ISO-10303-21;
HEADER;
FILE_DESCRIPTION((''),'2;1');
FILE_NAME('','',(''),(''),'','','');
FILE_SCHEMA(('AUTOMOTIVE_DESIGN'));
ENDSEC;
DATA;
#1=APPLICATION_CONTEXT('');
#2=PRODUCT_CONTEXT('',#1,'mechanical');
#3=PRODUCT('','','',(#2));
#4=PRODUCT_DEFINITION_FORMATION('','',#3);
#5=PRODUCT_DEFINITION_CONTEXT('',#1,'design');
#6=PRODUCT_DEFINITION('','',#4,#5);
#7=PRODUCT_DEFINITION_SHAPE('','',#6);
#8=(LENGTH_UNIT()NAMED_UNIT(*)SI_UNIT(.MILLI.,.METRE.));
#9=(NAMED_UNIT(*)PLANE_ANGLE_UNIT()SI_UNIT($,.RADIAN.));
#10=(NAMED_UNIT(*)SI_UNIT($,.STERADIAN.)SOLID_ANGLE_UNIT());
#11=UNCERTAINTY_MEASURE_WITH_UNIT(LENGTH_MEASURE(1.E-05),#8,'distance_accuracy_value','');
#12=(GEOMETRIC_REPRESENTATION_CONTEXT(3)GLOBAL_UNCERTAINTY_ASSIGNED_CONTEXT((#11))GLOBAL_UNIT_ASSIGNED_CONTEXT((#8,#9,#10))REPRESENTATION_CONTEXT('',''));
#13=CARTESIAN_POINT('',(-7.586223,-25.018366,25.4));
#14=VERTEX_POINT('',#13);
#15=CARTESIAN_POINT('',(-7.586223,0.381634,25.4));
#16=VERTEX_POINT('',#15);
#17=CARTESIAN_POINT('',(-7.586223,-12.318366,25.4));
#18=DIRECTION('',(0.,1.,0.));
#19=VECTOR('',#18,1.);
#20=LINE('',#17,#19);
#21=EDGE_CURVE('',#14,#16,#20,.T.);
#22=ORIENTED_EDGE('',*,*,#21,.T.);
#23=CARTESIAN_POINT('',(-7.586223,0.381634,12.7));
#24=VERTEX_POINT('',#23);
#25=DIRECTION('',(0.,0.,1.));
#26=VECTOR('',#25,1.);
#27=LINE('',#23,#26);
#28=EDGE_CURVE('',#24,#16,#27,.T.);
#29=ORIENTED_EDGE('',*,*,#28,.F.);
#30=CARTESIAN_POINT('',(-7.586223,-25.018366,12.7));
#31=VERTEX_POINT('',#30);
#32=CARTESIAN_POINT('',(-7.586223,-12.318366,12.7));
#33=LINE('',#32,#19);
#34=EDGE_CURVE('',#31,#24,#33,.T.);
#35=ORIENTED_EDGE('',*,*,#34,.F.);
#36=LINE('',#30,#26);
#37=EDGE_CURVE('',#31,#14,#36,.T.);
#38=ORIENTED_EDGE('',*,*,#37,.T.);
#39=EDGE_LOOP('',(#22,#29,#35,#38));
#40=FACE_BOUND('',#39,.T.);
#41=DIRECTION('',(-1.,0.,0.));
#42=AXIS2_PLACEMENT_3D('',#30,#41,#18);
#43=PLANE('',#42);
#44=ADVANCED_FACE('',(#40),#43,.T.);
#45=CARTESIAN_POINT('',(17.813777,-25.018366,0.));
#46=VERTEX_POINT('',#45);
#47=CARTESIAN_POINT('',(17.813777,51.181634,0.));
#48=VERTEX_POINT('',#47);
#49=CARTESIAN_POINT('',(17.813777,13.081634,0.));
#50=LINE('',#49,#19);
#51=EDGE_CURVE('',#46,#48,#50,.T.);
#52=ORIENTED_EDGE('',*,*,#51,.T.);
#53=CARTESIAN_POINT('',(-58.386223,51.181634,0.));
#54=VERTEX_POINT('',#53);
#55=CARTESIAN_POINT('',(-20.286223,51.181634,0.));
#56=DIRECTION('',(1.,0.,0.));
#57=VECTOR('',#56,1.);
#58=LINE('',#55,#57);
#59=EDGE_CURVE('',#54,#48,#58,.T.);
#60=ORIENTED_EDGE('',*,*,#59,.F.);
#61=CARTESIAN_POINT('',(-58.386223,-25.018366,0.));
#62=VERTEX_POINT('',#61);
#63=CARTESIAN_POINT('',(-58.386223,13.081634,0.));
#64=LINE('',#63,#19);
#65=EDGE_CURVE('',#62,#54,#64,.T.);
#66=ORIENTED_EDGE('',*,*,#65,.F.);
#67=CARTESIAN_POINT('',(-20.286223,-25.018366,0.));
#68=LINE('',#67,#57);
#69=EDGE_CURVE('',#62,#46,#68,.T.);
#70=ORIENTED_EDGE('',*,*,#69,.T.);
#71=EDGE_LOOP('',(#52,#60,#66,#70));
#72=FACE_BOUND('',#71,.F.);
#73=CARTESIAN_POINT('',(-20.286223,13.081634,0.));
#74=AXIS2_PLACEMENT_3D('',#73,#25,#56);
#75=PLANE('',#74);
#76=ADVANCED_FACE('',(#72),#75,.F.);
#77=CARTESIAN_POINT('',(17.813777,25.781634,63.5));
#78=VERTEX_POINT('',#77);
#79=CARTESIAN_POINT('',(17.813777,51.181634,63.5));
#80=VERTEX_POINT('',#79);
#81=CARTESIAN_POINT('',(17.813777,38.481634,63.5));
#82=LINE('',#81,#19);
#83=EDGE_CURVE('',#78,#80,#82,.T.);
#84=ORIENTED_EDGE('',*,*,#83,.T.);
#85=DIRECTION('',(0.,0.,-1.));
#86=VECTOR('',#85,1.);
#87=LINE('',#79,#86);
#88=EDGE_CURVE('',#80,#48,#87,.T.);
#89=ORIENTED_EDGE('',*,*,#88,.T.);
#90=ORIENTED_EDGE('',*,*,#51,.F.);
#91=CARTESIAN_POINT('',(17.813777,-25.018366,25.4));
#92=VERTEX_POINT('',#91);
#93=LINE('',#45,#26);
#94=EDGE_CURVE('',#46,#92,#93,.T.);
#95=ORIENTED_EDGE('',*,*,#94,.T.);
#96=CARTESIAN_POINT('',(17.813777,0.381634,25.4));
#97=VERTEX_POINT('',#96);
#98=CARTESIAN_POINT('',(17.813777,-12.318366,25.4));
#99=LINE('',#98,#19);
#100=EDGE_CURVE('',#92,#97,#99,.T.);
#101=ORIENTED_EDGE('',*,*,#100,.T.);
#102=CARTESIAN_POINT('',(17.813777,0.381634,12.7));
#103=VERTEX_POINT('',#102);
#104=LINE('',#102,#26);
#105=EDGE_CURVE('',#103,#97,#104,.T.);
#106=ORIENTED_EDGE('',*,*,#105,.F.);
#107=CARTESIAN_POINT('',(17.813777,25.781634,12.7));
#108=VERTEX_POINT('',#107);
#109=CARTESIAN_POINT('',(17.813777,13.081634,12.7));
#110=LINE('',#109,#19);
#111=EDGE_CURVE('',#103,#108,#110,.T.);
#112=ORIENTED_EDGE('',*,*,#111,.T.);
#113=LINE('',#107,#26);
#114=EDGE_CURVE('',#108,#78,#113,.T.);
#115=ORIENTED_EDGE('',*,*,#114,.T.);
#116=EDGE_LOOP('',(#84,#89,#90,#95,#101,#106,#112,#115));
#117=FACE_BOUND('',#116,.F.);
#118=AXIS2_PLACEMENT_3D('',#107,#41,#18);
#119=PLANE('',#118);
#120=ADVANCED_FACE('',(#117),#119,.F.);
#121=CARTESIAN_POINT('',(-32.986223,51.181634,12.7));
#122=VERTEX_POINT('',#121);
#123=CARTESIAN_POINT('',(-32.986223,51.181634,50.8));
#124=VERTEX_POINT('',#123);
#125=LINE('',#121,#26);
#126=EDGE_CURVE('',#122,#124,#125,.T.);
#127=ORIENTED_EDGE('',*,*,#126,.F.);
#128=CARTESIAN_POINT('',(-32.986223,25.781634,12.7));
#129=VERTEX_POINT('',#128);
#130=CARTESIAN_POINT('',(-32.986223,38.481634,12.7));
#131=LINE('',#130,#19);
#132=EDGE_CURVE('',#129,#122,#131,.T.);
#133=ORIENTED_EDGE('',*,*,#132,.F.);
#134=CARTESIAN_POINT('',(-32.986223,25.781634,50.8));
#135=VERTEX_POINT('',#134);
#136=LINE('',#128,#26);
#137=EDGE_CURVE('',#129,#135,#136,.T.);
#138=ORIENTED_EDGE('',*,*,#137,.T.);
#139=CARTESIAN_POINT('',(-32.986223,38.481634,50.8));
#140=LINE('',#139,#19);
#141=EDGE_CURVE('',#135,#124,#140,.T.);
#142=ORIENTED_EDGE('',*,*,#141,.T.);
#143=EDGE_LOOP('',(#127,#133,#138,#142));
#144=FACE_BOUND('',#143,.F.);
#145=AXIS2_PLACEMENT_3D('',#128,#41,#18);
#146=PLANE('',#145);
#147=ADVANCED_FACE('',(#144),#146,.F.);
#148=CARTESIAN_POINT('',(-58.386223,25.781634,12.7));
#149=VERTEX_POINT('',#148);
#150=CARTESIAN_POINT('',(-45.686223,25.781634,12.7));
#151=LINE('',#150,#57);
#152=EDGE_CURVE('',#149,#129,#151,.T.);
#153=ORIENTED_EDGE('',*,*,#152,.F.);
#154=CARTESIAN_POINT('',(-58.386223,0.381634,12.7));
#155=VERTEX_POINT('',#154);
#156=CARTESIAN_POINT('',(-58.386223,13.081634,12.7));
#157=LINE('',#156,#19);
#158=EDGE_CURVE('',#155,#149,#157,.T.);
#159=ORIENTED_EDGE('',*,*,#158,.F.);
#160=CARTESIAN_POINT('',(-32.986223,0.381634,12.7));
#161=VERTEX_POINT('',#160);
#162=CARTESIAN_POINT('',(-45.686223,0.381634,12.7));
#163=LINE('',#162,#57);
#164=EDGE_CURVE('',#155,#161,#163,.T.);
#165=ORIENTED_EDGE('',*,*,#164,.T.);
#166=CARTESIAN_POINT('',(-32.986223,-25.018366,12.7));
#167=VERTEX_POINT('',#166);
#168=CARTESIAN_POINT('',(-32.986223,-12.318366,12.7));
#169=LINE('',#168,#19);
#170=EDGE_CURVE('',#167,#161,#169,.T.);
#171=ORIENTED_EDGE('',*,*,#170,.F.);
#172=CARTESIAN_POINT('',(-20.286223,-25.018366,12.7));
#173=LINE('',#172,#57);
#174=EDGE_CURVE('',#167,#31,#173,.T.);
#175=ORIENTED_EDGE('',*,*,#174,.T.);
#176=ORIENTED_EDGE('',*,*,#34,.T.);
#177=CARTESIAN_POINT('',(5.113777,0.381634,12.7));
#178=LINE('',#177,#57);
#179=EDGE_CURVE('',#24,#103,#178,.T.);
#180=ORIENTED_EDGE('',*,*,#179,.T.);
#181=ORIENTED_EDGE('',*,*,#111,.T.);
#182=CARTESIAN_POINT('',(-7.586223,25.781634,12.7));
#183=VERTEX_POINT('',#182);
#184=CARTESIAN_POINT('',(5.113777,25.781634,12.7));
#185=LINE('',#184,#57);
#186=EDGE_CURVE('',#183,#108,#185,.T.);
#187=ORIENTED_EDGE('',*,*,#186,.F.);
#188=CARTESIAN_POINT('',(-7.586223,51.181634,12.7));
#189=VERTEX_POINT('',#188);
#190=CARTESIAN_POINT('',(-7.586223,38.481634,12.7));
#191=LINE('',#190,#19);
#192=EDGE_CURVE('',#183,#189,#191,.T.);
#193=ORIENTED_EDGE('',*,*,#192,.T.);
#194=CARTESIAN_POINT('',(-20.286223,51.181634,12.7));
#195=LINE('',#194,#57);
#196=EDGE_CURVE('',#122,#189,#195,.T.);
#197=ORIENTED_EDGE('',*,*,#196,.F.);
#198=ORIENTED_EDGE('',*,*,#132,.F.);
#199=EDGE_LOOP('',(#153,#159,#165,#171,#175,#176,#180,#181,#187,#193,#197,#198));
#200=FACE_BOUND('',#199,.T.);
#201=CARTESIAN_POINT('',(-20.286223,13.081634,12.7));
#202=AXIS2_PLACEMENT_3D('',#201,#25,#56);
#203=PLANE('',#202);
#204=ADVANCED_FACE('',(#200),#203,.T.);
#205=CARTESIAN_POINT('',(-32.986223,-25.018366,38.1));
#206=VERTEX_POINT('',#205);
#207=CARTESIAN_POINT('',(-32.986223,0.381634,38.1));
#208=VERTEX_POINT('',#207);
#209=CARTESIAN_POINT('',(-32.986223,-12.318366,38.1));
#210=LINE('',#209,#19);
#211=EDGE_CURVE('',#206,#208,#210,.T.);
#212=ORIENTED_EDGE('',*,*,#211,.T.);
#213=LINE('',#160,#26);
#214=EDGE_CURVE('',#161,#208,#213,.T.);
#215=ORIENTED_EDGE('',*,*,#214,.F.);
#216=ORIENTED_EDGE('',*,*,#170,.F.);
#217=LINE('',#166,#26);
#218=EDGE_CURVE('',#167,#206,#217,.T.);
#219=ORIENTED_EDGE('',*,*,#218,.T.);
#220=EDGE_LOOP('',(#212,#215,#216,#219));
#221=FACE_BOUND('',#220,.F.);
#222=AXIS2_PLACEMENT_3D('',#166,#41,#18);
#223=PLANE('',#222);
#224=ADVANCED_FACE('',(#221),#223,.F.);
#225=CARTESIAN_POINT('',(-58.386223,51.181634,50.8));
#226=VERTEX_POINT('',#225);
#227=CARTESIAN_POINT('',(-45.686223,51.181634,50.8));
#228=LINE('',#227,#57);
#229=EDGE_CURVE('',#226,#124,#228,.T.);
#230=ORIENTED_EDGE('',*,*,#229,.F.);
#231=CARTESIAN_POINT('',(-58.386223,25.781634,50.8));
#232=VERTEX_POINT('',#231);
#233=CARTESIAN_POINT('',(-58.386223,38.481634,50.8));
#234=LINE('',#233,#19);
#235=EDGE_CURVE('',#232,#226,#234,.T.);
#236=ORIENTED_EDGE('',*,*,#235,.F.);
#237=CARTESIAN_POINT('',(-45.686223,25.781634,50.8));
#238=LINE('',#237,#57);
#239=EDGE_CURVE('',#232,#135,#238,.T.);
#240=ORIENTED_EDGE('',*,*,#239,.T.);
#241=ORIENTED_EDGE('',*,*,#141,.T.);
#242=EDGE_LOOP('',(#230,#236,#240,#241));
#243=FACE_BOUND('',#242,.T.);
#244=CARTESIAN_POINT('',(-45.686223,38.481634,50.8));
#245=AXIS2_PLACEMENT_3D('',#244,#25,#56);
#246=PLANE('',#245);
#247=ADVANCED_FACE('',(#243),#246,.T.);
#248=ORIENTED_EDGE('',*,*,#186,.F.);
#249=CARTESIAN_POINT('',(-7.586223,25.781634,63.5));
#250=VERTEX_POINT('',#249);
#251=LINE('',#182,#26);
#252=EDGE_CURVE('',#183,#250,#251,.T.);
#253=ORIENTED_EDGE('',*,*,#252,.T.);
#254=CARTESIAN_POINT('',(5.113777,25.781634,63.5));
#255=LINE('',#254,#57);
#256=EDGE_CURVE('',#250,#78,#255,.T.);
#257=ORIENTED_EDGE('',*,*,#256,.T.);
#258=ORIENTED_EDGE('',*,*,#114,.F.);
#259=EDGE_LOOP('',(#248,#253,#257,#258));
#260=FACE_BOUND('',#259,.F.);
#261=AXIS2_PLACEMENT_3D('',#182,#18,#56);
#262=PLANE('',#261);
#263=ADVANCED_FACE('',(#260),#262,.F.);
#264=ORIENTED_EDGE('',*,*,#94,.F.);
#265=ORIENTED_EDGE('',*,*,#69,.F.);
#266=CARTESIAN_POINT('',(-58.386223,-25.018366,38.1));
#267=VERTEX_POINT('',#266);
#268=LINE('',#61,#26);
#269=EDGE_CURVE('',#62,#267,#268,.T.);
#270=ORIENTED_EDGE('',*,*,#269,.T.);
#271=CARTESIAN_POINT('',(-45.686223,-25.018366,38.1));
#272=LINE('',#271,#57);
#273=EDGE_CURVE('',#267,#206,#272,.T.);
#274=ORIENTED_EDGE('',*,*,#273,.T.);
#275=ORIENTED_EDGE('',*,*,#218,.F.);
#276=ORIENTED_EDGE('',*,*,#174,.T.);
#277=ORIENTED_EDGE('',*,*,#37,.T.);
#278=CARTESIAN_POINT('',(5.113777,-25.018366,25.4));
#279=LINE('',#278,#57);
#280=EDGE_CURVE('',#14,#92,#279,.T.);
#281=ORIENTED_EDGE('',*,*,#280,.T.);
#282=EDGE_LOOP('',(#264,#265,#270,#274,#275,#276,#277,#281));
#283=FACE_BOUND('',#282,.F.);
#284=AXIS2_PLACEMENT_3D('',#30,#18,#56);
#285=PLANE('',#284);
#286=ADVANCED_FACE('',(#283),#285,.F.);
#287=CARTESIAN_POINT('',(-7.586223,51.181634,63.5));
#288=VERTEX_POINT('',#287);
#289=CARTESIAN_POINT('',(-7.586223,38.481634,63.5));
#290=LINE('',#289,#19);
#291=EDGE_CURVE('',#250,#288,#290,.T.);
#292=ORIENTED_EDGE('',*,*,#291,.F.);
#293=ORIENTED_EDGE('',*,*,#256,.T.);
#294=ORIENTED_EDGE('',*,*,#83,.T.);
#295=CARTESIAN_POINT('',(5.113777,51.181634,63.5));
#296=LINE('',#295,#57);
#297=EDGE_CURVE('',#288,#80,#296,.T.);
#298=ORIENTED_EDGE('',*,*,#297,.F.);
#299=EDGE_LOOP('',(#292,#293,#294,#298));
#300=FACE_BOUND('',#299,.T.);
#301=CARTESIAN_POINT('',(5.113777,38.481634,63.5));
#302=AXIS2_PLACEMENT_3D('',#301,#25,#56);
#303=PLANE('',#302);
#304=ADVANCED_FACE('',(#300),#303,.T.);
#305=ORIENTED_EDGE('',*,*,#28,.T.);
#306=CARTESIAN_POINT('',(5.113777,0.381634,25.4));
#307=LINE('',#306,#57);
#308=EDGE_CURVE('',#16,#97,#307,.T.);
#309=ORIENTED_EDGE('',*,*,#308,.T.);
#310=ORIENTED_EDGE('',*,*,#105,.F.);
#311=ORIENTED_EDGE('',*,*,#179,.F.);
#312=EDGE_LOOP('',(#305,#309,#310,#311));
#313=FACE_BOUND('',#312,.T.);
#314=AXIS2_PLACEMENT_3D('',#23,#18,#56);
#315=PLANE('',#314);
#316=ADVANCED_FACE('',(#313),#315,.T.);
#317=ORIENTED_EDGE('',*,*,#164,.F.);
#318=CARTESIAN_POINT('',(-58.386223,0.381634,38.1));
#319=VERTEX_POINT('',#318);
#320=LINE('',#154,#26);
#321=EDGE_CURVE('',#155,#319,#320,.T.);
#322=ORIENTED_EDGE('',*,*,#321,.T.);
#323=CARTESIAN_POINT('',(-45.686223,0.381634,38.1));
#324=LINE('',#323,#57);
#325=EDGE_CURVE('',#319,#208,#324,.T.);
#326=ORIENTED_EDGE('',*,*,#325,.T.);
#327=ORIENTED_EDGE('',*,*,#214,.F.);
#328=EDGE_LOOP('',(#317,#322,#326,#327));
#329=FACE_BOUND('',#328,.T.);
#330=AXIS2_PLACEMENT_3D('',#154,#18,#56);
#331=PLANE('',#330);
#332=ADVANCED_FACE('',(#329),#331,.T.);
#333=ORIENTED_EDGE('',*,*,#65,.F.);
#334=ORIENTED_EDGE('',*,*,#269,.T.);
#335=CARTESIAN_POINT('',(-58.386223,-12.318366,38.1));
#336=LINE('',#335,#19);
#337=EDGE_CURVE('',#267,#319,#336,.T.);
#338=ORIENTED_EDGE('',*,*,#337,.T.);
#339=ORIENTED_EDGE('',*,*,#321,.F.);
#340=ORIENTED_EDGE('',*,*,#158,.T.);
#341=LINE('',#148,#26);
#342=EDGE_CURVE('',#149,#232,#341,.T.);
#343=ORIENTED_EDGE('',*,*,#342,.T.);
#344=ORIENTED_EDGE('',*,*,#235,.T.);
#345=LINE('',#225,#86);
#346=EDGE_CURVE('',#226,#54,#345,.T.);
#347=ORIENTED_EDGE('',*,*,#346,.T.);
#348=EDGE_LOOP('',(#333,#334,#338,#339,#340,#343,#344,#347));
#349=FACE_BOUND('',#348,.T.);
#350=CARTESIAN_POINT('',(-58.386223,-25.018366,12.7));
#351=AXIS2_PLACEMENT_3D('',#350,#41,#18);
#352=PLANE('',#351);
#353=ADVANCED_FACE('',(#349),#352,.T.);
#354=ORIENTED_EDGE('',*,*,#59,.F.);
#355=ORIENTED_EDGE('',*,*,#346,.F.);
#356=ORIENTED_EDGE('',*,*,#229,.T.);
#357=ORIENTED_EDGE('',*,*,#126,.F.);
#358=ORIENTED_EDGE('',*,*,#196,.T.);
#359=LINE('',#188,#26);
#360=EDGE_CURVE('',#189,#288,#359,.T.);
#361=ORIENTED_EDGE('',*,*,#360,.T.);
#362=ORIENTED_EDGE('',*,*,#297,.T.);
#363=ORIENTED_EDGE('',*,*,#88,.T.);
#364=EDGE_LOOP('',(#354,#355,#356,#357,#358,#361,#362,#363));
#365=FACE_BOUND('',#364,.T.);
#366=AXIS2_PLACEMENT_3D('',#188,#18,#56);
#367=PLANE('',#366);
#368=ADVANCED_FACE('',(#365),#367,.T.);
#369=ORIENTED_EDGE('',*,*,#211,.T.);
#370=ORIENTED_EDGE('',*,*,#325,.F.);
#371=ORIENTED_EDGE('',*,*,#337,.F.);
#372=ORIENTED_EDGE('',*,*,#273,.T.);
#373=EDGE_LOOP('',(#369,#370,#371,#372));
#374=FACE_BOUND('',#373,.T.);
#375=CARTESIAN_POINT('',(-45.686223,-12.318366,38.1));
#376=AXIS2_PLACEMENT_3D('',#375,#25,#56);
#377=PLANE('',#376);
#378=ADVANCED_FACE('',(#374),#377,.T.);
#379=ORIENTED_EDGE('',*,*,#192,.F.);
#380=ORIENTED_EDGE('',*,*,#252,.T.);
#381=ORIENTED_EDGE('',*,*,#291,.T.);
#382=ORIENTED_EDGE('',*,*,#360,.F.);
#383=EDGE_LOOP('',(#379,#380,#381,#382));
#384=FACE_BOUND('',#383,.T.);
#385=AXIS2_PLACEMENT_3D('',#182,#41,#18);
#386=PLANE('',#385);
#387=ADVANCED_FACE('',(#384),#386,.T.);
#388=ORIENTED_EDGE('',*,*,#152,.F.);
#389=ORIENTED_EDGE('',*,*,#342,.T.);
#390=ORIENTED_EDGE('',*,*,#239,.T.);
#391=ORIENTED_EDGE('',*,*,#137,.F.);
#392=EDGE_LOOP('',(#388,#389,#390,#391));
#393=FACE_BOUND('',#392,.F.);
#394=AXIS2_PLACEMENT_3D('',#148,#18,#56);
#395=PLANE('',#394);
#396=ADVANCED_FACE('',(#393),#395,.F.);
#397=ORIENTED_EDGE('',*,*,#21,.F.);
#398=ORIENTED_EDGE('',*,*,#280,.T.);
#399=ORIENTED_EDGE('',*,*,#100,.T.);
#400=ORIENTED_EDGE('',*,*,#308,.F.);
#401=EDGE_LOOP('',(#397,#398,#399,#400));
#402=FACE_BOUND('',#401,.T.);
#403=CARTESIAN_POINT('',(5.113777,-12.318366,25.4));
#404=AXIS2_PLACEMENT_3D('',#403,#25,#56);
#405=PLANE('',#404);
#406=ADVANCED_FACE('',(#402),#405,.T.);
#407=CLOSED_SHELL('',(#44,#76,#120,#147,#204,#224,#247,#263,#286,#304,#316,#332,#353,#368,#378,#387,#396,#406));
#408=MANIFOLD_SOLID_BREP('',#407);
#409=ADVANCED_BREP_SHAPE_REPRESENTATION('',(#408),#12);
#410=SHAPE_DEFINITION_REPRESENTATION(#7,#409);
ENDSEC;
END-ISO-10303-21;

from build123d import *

# Parameters (mm, degrees)
F0_W     = 76.2
F0_H     = 76.2
F1_DEPTH = 12.7
F2_W     = 25.4
F2_H     = 25.4
F3_DEPTH = 38.1
F4_DEPTH = 25.4
F5_DEPTH = 12.7
F6_DEPTH = 50.8


with BuildPart() as f1:
    # F0 (on Top) → F1 (new body)
    with BuildSketch(Plane.XY):
        with Locations((-20.286223, 13.081634)):
            Rectangle(F0_W, F0_H)
    extrude(amount=F1_DEPTH)

    # F2 (on face) → F3 (join)
    with BuildSketch(Plane.XY.offset(12.7)):
        with Locations((-45.686223, 38.481634)):
            Rectangle(F2_W, F2_H)
    extrude(amount=F3_DEPTH)

    # F2 (on face) → F4 (join)
    with BuildSketch(Plane.XY.offset(12.7)):
        with Locations((-45.686223, -12.318366)):
            Rectangle(F2_W, F2_H)
    extrude(amount=F4_DEPTH)

    # F2 (on face) → F5 (join)
    with BuildSketch(Plane.XY.offset(12.7)):
        with Locations((5.113777, -12.318366)):
            Rectangle(F2_W, F2_H)
    extrude(amount=F5_DEPTH)

    # F2 (on face) → F6 (join)
    with BuildSketch(Plane.XY.offset(12.7)):
        with Locations((5.113777, 38.481634)):
            Rectangle(F2_W, F2_H)
    extrude(amount=F6_DEPTH)


solid = f1.part
